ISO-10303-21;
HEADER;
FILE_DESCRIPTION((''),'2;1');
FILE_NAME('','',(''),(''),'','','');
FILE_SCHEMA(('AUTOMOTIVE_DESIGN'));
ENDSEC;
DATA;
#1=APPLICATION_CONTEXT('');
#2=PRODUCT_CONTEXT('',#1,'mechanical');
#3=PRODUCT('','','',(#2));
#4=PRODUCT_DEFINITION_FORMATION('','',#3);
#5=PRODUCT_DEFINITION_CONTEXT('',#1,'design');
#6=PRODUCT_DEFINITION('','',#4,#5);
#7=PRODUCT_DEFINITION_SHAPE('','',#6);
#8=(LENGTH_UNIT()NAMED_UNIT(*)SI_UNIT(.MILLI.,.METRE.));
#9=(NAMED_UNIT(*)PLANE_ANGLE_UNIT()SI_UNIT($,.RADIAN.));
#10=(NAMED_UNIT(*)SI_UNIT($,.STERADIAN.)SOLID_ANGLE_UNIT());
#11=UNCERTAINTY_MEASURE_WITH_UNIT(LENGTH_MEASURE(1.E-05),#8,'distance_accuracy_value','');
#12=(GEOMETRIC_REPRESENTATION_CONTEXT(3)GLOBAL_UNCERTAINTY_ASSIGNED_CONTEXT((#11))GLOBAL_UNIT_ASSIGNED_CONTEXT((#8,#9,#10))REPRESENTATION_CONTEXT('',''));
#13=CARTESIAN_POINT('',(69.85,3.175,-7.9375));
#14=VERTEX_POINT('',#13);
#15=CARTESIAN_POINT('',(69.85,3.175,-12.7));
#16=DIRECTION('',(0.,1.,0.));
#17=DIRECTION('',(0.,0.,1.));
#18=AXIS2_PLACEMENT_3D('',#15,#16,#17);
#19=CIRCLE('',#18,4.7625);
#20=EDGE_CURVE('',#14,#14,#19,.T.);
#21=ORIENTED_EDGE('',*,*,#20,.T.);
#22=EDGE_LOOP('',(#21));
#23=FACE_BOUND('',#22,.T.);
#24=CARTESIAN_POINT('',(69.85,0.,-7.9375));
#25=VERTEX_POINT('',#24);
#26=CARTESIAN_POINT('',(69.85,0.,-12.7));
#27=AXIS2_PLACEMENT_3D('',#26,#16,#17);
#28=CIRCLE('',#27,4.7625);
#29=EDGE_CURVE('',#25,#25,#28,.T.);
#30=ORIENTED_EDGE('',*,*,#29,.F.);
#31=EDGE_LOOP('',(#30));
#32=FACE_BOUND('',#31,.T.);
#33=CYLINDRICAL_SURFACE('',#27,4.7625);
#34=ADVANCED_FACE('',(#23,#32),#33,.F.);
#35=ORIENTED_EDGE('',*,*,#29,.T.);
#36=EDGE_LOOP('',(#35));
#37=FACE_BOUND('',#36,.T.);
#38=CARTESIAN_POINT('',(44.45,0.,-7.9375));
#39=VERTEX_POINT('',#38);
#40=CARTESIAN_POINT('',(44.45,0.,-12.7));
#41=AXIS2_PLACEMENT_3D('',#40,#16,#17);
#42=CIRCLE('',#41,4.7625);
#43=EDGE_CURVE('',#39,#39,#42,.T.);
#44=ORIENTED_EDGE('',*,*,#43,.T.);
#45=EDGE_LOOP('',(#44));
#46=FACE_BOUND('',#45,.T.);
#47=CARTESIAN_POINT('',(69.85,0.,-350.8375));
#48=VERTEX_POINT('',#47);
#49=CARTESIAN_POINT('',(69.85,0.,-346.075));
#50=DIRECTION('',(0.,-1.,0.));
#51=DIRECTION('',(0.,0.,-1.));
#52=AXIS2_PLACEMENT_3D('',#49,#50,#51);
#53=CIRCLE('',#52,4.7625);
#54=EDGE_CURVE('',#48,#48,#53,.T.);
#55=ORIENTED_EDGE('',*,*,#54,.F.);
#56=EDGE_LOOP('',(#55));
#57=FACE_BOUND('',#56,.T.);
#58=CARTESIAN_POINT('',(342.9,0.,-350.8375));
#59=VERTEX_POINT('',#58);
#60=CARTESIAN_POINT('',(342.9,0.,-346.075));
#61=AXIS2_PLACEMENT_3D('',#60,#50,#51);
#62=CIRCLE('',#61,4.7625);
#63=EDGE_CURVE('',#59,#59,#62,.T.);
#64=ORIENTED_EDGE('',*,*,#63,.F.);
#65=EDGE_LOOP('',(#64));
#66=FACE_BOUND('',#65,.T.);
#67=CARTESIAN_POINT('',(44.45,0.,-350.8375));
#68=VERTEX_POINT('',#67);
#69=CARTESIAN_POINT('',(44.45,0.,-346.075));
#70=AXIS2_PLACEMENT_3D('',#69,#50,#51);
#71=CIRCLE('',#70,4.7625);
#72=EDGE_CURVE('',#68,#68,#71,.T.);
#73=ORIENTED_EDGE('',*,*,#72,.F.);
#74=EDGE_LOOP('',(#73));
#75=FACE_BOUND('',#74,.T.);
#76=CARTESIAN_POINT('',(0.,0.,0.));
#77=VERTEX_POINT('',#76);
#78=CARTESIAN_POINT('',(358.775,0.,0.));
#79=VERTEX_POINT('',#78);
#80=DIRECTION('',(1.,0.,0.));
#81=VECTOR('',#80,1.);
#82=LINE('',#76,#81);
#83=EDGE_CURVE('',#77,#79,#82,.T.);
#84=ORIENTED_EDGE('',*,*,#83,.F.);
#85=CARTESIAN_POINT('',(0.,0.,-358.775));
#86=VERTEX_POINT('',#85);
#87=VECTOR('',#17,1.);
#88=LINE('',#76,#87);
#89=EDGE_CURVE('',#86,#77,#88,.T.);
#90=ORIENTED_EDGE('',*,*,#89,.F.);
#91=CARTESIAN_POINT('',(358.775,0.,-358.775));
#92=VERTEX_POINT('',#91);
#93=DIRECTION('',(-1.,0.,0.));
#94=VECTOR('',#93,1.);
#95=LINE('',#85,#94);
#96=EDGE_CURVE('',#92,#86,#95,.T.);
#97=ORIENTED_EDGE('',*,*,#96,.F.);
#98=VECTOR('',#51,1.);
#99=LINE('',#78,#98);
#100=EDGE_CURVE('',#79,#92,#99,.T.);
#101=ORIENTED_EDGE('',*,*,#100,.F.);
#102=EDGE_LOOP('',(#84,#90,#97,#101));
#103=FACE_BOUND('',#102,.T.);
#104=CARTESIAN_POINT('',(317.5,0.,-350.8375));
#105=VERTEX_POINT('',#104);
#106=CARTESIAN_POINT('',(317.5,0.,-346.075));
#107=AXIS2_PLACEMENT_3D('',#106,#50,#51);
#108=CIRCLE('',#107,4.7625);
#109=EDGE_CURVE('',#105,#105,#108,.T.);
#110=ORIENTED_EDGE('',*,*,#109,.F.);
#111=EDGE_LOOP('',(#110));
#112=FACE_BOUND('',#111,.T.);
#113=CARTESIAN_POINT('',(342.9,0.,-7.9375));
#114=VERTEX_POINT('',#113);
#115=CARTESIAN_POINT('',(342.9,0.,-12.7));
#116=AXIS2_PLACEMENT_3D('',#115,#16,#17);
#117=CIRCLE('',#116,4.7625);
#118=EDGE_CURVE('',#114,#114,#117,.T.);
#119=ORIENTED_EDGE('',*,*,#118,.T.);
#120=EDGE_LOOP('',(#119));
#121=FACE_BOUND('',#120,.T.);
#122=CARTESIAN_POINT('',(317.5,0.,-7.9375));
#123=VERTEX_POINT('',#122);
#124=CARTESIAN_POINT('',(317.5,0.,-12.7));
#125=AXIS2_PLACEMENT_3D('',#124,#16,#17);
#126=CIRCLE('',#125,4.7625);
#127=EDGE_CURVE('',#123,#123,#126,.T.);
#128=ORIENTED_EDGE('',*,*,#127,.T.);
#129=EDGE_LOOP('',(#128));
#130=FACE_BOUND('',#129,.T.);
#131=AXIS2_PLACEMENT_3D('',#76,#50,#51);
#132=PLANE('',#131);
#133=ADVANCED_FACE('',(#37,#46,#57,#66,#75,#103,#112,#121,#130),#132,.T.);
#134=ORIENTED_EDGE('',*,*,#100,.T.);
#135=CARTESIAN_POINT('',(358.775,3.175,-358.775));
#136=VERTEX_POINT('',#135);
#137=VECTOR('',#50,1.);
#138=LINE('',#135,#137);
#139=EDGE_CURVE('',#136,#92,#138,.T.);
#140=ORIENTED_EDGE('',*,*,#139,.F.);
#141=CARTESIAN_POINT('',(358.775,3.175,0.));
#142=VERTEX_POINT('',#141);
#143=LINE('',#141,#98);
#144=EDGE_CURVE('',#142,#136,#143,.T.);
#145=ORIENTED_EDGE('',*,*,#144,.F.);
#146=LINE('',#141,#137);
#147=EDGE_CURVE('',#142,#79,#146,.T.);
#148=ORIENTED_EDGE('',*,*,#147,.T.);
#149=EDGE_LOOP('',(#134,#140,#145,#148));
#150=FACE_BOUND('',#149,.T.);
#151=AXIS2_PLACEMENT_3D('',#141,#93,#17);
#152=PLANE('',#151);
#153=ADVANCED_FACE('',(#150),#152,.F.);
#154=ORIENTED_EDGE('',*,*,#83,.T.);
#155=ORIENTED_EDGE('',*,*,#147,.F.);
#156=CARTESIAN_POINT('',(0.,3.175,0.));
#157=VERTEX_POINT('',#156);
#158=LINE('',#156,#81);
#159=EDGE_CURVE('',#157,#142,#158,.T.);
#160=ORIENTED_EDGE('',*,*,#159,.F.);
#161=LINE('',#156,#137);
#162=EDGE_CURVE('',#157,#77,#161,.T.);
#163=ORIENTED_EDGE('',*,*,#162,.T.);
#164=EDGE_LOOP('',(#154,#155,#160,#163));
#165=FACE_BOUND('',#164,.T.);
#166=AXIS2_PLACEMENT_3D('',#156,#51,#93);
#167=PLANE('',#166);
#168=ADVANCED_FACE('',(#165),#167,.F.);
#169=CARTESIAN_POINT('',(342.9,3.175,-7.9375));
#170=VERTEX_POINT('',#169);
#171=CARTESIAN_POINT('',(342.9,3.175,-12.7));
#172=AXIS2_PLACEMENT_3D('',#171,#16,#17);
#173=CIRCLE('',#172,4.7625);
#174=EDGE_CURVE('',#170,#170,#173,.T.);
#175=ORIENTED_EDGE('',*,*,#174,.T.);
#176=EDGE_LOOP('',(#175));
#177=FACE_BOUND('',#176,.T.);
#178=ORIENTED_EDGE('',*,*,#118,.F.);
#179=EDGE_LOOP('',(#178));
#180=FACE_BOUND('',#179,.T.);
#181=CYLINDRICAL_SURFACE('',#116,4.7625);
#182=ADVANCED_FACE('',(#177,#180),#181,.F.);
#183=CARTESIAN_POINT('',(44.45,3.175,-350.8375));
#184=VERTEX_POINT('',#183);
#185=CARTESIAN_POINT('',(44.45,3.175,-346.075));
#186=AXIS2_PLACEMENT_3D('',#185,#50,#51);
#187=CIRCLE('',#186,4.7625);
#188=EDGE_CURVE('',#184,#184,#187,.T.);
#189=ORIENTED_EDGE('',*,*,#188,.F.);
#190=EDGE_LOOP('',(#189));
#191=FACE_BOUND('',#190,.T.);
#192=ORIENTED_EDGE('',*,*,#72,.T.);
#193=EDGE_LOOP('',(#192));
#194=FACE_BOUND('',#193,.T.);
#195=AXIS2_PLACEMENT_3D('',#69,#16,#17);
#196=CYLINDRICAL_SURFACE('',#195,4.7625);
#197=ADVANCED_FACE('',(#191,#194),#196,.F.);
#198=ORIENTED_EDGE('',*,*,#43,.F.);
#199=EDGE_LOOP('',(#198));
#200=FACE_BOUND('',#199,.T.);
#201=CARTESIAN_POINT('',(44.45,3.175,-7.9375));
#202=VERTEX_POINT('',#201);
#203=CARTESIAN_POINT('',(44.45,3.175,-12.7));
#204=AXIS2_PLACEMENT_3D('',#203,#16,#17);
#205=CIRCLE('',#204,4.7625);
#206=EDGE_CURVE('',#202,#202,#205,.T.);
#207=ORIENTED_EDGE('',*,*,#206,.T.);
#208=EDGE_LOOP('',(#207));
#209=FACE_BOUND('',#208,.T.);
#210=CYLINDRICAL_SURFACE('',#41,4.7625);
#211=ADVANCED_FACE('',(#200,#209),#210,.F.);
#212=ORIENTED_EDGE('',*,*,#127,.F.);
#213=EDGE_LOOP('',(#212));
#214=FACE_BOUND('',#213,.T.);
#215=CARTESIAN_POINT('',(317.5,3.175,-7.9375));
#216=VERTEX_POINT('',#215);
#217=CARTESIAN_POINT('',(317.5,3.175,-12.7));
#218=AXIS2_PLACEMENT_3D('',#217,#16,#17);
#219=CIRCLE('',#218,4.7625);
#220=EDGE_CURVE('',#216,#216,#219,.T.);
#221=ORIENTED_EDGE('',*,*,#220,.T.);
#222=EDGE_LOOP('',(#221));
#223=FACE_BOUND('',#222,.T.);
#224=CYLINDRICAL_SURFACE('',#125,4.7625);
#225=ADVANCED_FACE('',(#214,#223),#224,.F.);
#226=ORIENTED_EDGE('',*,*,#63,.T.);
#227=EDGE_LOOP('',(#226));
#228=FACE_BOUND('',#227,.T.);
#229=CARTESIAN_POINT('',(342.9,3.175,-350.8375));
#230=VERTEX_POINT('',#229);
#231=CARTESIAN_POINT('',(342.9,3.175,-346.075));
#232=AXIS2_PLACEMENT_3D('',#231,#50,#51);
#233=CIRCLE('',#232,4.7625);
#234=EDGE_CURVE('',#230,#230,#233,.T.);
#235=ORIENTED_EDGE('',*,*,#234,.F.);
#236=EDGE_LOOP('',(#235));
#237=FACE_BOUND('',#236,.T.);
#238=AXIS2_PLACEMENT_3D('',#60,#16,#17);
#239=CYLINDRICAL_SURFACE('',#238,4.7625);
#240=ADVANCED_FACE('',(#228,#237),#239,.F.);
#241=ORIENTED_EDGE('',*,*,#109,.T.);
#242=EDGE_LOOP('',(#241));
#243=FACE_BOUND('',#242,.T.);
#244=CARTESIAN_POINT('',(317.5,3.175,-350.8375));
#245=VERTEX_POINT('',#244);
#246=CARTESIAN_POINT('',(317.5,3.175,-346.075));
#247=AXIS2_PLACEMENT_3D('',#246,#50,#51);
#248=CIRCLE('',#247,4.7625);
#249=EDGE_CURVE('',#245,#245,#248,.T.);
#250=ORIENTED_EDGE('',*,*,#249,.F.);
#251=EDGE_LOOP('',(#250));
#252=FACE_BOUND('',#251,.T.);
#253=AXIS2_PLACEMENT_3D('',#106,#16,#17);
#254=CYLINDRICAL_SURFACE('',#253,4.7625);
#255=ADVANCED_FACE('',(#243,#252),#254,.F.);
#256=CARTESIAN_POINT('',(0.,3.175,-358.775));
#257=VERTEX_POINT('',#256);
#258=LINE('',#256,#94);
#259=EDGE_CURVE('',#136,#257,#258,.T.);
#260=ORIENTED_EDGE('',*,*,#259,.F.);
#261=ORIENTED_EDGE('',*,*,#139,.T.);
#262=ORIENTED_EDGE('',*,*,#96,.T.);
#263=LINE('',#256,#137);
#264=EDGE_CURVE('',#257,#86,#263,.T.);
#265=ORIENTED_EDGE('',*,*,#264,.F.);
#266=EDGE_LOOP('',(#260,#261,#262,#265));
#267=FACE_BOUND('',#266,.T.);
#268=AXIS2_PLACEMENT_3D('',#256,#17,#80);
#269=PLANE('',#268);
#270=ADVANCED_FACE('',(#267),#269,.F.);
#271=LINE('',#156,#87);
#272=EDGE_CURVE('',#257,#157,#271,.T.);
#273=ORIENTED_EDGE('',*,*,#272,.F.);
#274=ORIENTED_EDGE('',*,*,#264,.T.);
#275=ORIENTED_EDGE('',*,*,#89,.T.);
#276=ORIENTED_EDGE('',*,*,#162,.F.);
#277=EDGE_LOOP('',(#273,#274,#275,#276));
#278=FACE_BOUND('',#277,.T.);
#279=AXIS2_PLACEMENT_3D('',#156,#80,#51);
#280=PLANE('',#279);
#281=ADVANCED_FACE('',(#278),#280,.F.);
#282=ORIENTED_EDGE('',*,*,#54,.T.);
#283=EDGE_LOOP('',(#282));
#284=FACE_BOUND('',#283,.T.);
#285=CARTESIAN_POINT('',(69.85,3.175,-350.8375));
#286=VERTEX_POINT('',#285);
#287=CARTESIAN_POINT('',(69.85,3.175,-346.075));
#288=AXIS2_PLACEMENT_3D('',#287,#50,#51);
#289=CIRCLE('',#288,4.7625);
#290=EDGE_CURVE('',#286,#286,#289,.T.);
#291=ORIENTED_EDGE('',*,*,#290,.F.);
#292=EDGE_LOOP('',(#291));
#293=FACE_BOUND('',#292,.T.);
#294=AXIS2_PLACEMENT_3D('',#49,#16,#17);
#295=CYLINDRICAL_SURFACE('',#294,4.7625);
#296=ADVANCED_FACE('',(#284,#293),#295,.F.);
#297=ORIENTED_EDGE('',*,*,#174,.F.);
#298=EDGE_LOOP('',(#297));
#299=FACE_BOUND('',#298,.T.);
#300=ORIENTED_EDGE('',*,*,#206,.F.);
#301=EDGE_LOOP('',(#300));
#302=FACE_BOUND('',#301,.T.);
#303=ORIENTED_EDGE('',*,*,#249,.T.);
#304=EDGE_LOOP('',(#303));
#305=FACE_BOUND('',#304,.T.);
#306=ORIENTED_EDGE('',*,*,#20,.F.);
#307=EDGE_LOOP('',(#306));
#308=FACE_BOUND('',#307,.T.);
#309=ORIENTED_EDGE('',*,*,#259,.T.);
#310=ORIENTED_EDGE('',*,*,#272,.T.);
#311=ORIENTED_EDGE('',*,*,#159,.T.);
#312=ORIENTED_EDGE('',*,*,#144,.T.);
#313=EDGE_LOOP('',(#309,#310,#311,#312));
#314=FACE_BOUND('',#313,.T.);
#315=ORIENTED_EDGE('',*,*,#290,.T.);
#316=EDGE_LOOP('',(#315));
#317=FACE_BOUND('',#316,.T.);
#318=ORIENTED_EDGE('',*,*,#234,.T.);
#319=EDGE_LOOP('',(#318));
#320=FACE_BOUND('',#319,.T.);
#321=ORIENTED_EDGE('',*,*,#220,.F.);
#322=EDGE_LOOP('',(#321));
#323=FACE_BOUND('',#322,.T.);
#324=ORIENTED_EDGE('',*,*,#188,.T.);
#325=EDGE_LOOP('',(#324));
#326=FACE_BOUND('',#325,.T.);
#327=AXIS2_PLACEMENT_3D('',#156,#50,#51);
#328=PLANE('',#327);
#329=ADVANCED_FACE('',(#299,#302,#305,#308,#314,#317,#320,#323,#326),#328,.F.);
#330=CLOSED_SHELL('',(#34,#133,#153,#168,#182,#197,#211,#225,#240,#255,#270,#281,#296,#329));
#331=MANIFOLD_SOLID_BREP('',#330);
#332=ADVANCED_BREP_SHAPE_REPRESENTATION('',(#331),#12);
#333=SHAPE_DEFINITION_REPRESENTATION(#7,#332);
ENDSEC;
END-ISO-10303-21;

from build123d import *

# Parameters (mm, degrees)
SKETCH1_W           = 358.775
SKETCH1_H           = 358.775
BOSS_EXTRUDE1_DEPTH = 3.175
SKETCH2_R           = 4.7625
CUT_EXTRUDE1_DEPTH  = 4.175


with BuildPart() as part:
    # Sketch1 → Boss-Extrude1 (new body)
    with BuildSketch(Plane(origin=(0, 0, 0), x_dir=(1, 0, 0), z_dir=(0, 1, 0))):
        with Locations((179.3875, 179.3875)):
            Rectangle(SKETCH1_W, SKETCH1_H)
    extrude(amount=BOSS_EXTRUDE1_DEPTH)

    # Sketch2 → Cut-Extrude1 (cut, through all)
    with BuildSketch(Plane(origin=(0, 3.175, 0), x_dir=(1, 0, 0), z_dir=(0, 1, 0))):
        with Locations((44.45, 12.7)):
            Circle(SKETCH2_R)
        with Locations((69.85, 12.7)):
            Circle(SKETCH2_R)
        with Locations((317.5, 12.7)):
            Circle(SKETCH2_R)
        with Locations((342.9, 12.7)):
            Circle(SKETCH2_R)
    cut_extrude1 = extrude(amount=-CUT_EXTRUDE1_DEPTH, mode=Mode.SUBTRACT)

    # Mirror1: Cut-Extrude1 across plane
    add(cut_extrude1.mirror(Plane.XY.offset(-179.3875)), mode=Mode.SUBTRACT)


solid = part.part
